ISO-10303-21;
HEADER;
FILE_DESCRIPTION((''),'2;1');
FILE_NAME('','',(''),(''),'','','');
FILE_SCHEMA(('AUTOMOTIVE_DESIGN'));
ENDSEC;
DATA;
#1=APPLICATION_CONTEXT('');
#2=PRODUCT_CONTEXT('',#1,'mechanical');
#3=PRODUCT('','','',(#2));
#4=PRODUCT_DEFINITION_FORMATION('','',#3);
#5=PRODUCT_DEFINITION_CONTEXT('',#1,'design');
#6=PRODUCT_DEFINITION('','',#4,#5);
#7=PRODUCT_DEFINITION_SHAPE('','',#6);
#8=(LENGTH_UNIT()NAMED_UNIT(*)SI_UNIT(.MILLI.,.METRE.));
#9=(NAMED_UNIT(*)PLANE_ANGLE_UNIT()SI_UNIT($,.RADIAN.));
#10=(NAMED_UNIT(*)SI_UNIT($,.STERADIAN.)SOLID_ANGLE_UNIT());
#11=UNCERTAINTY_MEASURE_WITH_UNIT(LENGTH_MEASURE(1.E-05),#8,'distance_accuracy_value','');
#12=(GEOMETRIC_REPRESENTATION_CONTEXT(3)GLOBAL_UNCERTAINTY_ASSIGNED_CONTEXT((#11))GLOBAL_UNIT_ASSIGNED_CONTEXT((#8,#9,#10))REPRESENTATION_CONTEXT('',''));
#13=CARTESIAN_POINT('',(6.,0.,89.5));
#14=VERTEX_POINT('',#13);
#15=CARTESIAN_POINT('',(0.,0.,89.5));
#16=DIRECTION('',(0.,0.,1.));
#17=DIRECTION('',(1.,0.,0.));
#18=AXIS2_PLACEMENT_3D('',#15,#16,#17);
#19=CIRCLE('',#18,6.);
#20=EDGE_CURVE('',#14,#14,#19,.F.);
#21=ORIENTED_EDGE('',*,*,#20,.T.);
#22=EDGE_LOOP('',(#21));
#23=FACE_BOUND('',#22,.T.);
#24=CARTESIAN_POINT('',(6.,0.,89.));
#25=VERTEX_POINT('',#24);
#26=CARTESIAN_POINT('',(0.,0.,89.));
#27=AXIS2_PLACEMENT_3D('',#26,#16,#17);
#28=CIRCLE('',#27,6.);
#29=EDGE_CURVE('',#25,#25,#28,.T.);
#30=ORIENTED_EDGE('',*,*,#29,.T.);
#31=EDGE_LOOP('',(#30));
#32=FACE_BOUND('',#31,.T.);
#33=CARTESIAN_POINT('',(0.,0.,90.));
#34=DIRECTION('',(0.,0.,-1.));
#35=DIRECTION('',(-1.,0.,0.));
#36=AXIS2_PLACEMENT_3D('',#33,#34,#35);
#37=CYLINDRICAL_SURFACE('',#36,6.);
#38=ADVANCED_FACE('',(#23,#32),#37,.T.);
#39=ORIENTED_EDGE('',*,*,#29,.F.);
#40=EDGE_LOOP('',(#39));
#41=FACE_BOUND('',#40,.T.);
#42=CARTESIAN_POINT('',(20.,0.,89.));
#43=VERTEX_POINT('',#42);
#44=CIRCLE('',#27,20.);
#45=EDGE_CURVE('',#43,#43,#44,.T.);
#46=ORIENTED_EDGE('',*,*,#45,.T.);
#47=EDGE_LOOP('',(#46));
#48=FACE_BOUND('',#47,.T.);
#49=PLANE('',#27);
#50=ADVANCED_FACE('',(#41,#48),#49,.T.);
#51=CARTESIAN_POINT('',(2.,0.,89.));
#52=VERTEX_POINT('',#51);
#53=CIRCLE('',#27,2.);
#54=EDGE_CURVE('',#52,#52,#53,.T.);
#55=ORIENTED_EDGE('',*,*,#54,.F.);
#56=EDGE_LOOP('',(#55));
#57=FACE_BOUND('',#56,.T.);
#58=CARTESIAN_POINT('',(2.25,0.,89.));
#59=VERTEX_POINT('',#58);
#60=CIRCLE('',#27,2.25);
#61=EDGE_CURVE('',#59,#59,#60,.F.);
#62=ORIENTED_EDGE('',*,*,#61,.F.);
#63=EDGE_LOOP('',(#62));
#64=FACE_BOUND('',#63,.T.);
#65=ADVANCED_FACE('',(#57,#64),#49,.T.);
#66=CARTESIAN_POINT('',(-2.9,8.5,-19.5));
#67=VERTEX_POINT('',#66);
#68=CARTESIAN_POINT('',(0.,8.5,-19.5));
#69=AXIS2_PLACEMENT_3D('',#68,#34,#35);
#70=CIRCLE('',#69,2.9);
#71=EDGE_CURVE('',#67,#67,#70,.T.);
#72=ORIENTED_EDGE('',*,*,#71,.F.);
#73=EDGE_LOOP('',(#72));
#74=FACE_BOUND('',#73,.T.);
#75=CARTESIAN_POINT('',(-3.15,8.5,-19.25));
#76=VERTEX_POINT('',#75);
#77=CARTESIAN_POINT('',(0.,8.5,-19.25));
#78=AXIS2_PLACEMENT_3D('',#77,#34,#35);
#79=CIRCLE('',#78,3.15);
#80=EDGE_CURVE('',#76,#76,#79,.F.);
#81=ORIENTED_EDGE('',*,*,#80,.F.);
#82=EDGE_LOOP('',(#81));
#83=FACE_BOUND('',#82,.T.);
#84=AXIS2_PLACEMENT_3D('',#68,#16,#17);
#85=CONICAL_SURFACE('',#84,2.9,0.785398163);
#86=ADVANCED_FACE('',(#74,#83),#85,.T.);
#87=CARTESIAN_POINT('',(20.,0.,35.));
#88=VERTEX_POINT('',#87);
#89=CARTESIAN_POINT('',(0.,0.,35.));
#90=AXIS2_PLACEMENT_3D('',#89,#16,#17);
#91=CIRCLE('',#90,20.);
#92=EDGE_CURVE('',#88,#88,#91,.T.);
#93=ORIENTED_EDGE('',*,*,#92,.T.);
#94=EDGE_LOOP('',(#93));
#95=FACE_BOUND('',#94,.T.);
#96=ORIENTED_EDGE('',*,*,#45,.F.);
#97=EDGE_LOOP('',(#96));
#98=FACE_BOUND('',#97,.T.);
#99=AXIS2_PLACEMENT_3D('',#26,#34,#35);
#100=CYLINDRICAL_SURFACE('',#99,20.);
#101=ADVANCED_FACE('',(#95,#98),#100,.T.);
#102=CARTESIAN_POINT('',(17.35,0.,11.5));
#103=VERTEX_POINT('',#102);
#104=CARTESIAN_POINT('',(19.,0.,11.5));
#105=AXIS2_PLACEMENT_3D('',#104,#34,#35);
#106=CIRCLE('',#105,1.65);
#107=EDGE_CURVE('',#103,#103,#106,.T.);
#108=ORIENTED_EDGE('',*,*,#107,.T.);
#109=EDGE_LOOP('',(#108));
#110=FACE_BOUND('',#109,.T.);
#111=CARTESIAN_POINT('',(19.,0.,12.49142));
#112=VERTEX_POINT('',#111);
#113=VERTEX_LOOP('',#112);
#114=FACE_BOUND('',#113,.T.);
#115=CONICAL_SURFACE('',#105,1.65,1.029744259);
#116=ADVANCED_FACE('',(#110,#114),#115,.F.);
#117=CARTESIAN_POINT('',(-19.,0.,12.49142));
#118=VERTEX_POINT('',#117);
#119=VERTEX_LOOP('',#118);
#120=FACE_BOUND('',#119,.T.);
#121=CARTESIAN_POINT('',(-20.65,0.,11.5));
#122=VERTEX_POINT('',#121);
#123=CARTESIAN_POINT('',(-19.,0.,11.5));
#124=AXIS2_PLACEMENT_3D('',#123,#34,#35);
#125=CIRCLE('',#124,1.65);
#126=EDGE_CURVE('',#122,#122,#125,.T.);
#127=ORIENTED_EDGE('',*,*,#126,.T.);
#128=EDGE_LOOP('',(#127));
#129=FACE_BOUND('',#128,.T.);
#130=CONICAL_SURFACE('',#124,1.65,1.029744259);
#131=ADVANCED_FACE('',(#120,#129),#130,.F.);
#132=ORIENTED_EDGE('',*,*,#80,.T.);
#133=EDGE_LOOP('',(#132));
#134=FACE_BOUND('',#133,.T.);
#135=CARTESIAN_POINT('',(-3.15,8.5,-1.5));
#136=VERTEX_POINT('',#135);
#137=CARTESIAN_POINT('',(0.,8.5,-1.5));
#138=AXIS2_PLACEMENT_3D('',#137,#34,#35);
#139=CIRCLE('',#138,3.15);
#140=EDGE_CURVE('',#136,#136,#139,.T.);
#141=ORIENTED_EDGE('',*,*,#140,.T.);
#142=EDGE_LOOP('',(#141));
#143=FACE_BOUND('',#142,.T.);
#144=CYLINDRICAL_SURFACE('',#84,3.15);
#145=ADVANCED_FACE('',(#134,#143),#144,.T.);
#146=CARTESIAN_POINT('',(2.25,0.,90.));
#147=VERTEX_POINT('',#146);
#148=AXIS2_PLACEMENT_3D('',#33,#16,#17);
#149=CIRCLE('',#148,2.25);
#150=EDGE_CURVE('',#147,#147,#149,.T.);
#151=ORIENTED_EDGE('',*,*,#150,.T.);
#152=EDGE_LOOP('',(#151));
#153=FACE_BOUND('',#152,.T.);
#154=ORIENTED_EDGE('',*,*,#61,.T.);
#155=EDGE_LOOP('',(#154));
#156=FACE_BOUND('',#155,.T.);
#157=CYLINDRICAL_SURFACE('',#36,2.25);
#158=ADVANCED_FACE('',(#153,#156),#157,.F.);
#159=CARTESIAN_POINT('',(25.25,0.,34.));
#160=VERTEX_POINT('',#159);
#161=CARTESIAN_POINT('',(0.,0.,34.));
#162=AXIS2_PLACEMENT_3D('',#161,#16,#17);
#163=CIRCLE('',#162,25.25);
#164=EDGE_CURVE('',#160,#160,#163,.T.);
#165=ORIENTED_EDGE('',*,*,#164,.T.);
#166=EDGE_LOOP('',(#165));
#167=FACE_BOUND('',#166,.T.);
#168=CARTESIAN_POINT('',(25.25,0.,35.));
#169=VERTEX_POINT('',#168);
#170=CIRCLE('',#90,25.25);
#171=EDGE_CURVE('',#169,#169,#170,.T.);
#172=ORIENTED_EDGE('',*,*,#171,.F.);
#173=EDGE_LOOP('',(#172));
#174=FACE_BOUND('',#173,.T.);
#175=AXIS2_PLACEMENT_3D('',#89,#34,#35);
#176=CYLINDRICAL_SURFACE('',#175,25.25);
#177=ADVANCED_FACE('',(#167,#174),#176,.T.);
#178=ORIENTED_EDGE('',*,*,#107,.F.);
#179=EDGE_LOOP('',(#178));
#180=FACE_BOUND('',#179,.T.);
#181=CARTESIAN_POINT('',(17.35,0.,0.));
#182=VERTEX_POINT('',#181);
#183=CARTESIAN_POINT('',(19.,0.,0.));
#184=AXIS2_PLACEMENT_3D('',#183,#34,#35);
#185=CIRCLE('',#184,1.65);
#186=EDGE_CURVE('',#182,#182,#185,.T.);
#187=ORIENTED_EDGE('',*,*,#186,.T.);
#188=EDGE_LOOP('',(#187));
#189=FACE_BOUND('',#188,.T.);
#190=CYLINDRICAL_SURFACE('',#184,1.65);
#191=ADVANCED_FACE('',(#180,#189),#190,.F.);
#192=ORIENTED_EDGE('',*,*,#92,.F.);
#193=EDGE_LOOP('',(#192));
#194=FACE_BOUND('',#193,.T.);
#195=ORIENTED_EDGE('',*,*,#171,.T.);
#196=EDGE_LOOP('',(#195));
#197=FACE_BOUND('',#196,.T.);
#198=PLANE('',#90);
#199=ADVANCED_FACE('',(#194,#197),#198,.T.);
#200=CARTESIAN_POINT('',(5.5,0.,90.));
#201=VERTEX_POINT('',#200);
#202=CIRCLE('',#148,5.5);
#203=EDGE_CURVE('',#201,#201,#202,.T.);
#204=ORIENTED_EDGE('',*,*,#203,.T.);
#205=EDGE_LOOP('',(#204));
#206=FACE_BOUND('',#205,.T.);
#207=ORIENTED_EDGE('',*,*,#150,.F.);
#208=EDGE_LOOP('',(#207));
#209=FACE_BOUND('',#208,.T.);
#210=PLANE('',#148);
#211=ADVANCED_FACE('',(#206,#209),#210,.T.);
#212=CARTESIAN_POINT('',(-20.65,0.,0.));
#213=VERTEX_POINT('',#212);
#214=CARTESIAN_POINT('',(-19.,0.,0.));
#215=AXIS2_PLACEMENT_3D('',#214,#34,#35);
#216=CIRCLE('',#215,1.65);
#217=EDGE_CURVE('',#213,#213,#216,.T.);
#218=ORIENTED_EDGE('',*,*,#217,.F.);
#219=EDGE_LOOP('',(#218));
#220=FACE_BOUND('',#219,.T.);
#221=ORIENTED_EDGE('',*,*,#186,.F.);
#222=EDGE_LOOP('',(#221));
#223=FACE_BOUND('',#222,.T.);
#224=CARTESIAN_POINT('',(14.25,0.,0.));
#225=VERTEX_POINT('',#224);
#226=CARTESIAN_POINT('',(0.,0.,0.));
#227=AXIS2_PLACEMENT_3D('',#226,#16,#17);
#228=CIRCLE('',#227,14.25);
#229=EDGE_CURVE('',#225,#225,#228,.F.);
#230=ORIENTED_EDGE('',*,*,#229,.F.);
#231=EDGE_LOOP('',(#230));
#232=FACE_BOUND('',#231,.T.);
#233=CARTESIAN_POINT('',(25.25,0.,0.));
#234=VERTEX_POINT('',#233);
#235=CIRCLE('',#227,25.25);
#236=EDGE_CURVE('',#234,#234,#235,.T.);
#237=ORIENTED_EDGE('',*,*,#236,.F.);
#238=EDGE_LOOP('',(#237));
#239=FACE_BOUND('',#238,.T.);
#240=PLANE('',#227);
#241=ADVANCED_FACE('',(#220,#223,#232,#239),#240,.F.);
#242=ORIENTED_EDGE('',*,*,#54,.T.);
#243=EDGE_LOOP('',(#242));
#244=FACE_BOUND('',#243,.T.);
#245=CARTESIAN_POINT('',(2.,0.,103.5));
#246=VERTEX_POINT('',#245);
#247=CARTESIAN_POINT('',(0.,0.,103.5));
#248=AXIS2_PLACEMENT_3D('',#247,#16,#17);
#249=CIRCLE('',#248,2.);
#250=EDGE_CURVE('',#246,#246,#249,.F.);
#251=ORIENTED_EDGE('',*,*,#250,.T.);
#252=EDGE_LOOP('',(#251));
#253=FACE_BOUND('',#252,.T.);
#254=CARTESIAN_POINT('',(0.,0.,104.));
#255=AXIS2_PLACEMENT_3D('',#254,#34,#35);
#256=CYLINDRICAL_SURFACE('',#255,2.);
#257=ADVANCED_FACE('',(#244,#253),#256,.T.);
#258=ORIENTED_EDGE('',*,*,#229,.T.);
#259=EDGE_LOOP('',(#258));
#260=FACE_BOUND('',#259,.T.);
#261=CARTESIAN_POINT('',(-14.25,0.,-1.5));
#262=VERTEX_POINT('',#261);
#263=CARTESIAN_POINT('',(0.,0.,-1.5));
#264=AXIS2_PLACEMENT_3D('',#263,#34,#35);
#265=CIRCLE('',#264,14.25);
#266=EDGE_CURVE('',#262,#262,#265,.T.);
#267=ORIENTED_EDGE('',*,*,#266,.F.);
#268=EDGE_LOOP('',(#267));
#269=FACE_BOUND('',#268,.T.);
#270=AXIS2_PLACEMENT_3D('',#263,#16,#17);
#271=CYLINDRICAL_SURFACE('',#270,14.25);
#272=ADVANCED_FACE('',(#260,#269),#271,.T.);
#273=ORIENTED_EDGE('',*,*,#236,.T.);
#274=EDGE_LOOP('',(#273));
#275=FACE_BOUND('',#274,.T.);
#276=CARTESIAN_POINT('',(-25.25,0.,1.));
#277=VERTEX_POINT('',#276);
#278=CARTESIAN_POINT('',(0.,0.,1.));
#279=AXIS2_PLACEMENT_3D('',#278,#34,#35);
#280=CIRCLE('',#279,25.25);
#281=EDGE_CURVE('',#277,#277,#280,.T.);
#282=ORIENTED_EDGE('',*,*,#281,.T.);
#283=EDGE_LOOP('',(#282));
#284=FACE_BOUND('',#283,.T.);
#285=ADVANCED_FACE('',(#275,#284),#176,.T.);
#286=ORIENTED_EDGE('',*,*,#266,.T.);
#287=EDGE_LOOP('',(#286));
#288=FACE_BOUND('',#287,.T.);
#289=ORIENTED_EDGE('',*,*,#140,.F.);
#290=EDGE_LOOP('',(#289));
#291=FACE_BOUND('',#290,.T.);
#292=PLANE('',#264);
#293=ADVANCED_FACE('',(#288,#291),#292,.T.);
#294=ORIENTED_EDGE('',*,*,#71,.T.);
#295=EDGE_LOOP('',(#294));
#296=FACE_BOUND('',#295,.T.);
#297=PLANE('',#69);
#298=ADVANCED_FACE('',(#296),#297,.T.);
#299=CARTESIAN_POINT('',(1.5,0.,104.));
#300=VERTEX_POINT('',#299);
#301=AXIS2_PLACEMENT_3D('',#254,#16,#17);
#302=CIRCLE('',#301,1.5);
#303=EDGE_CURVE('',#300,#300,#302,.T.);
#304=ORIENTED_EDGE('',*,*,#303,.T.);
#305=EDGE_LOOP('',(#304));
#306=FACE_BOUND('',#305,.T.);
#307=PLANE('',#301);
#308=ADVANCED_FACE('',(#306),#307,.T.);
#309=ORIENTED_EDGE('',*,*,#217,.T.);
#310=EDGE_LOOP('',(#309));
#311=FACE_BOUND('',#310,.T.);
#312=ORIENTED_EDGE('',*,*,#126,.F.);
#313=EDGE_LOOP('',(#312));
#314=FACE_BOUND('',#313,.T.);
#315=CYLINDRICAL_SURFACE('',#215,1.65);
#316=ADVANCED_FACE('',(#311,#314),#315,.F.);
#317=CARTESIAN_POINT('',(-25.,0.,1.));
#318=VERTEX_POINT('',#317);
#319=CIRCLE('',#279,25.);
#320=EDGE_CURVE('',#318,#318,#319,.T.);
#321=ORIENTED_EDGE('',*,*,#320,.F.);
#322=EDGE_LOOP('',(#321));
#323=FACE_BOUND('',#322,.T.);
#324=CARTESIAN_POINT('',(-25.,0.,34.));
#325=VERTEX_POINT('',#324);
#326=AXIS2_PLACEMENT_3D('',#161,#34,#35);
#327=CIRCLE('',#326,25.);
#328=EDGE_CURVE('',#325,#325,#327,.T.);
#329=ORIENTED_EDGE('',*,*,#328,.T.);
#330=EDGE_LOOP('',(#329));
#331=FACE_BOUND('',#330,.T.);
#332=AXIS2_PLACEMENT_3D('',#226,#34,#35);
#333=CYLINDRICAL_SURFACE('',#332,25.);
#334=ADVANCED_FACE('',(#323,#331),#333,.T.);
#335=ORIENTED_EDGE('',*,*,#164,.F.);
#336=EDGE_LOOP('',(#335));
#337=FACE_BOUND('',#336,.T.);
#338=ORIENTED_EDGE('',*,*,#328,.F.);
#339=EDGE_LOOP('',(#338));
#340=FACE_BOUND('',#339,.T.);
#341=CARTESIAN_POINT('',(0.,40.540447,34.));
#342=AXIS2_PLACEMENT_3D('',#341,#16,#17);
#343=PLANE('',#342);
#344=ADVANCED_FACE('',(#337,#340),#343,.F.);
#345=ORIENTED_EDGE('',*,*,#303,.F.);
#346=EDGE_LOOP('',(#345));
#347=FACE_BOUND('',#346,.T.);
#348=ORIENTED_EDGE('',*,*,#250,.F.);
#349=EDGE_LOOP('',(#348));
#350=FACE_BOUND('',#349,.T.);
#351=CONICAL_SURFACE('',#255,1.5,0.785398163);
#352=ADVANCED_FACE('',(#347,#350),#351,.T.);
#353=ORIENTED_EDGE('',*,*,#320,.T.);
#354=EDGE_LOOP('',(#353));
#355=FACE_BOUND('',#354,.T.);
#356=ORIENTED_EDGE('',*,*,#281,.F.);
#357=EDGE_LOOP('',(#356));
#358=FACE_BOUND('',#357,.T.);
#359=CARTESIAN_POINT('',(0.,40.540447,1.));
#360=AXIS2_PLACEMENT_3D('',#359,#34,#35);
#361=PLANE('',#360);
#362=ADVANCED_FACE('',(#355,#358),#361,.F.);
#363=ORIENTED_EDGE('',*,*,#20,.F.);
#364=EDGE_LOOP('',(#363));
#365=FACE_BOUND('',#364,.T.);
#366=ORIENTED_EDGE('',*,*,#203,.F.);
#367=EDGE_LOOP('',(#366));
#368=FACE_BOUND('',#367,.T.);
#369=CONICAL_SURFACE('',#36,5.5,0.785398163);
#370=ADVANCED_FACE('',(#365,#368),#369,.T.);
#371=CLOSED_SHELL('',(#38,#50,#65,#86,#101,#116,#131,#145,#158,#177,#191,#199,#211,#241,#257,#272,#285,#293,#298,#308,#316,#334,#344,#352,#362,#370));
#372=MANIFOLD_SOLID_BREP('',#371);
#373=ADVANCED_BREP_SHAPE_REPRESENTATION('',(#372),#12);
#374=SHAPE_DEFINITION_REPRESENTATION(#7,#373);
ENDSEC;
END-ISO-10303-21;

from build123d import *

# Parameters (mm, degrees)
ESBO_O1_R                 = 25.25
RESSALTO_EXTRUS_O1_DEPTH  = 35
ESBO_O2_R                 = 20
RESSALTO_EXTRUS_O2_DEPTH  = 54
ESBO_O3_R                 = 14.25
RESSALTO_EXTRUS_O3_DEPTH  = 1.5
FURO_ROSCADO_DE_M41_D     = 3.3
FURO_ROSCADO_DE_M41_DEPTH = 11.5
FURO_ROSCADO_DE_M41_TIP   = 0.991420021
ESBO_O7_R                 = 3.15
RESSALTO_EXTRUS_O4_DEPTH  = 18
CHANFRO1_SIZE             = 0.25
ESBO_O8_R                 = 2
RESSALTO_EXTRUS_O5_DEPTH  = 15
CHANFRO2_SIZE             = 0.5
ESBO_O9_R                 = 6
ESBO_O9_R_2               = 2.25
RESSALTO_EXTRUS_O6_DEPTH  = 1
CHANFRO3_SIZE             = 0.5
ESBO_O10_W                = 33
ESBO_O10_H                = 15.540446693


with BuildPart() as part:
    # Esboço1 → Ressalto-extrusão1 (new body)
    with BuildSketch(Plane.XY):
        Circle(ESBO_O1_R)
    extrude(amount=RESSALTO_EXTRUS_O1_DEPTH)

    # Esboço2 → Ressalto-extrusão2 (add)
    with BuildSketch(Plane.XY.offset(35)):
        Circle(ESBO_O2_R)
    extrude(amount=RESSALTO_EXTRUS_O2_DEPTH)

    # Esboço3 → Ressalto-extrusão3 (add)
    with BuildSketch(Plane(origin=(0, 0, 0), x_dir=(-1, 0, 0), z_dir=(0, 0, -1))):
        with Locations(Location((0, 0, 0), (0, 0, 180))):
            Circle(ESBO_O3_R)
    extrude(amount=RESSALTO_EXTRUS_O3_DEPTH)

    # Furo roscado de M41
    with Locations(Plane(origin=(0, 0, 0), x_dir=(-1, 0, 0), z_dir=(0, 0, -1))):
        with Locations((-19, 0), (19, 0)):
            Hole(FURO_ROSCADO_DE_M41_D / 2, depth=FURO_ROSCADO_DE_M41_DEPTH)
            with Locations((0, 0, -(FURO_ROSCADO_DE_M41_DEPTH + FURO_ROSCADO_DE_M41_TIP / 2))):  # 118° drill point
                Cone(0, FURO_ROSCADO_DE_M41_D / 2, FURO_ROSCADO_DE_M41_TIP, mode=Mode.SUBTRACT)

    # Esboço7 → Ressalto-extrusão4 (add)
    with BuildSketch(Plane(origin=(0, 0, -1.5), x_dir=(-1, 0, 0), z_dir=(0, 0, -1))):
        with Locations((0, 8.5)):
            Circle(ESBO_O7_R)
    extrude(amount=RESSALTO_EXTRUS_O4_DEPTH)

    # Chanfro1
    chanfro1_edges = [part.edges().sort_by_distance(p)[0] for p in [
        (3.15, 8.5, -19.5),
    ]]
    chamfer(chanfro1_edges, length=CHANFRO1_SIZE)

    # Esboço8 → Ressalto-extrusão5 (add)
    with BuildSketch(Plane.XY.offset(89)):
        Circle(ESBO_O8_R)
    extrude(amount=RESSALTO_EXTRUS_O5_DEPTH)

    # Chanfro2
    chanfro2_edges = [part.edges().sort_by_distance(p)[0] for p in [
        (-2, 0, 104),
    ]]
    chamfer(chanfro2_edges, length=CHANFRO2_SIZE)

    # Esboço9 → Ressalto-extrusão6 (add)
    with BuildSketch(Plane.XY.offset(89)):
        Circle(ESBO_O9_R)
        Circle(ESBO_O9_R_2, mode=Mode.SUBTRACT)
    extrude(amount=RESSALTO_EXTRUS_O6_DEPTH)

    # Chanfro3
    chanfro3_edges = [part.edges().sort_by_distance(p)[0] for p in [
        (-6, 0, 90),
    ]]
    chamfer(chanfro3_edges, length=CHANFRO3_SIZE)

    # Esboço10 → Corte-Revolução1 (revolve, cut)
    with BuildSketch(Plane(origin=(0, 0, 0), x_dir=(0, 0, -1), z_dir=(1, 0, 0)), mode=Mode.PRIVATE) as corte_revolu_o1_sk:
        with Locations((-17.5, 32.770223347)):
            Rectangle(ESBO_O10_W, ESBO_O10_H)
    revolve(corte_revolu_o1_sk.sketch.rotate(Axis((0, 0, 0), (0, 0, 1)), 90), axis=Axis((0, 0, 0), (0, 0, 1)), mode=Mode.SUBTRACT)


solid = part.part
